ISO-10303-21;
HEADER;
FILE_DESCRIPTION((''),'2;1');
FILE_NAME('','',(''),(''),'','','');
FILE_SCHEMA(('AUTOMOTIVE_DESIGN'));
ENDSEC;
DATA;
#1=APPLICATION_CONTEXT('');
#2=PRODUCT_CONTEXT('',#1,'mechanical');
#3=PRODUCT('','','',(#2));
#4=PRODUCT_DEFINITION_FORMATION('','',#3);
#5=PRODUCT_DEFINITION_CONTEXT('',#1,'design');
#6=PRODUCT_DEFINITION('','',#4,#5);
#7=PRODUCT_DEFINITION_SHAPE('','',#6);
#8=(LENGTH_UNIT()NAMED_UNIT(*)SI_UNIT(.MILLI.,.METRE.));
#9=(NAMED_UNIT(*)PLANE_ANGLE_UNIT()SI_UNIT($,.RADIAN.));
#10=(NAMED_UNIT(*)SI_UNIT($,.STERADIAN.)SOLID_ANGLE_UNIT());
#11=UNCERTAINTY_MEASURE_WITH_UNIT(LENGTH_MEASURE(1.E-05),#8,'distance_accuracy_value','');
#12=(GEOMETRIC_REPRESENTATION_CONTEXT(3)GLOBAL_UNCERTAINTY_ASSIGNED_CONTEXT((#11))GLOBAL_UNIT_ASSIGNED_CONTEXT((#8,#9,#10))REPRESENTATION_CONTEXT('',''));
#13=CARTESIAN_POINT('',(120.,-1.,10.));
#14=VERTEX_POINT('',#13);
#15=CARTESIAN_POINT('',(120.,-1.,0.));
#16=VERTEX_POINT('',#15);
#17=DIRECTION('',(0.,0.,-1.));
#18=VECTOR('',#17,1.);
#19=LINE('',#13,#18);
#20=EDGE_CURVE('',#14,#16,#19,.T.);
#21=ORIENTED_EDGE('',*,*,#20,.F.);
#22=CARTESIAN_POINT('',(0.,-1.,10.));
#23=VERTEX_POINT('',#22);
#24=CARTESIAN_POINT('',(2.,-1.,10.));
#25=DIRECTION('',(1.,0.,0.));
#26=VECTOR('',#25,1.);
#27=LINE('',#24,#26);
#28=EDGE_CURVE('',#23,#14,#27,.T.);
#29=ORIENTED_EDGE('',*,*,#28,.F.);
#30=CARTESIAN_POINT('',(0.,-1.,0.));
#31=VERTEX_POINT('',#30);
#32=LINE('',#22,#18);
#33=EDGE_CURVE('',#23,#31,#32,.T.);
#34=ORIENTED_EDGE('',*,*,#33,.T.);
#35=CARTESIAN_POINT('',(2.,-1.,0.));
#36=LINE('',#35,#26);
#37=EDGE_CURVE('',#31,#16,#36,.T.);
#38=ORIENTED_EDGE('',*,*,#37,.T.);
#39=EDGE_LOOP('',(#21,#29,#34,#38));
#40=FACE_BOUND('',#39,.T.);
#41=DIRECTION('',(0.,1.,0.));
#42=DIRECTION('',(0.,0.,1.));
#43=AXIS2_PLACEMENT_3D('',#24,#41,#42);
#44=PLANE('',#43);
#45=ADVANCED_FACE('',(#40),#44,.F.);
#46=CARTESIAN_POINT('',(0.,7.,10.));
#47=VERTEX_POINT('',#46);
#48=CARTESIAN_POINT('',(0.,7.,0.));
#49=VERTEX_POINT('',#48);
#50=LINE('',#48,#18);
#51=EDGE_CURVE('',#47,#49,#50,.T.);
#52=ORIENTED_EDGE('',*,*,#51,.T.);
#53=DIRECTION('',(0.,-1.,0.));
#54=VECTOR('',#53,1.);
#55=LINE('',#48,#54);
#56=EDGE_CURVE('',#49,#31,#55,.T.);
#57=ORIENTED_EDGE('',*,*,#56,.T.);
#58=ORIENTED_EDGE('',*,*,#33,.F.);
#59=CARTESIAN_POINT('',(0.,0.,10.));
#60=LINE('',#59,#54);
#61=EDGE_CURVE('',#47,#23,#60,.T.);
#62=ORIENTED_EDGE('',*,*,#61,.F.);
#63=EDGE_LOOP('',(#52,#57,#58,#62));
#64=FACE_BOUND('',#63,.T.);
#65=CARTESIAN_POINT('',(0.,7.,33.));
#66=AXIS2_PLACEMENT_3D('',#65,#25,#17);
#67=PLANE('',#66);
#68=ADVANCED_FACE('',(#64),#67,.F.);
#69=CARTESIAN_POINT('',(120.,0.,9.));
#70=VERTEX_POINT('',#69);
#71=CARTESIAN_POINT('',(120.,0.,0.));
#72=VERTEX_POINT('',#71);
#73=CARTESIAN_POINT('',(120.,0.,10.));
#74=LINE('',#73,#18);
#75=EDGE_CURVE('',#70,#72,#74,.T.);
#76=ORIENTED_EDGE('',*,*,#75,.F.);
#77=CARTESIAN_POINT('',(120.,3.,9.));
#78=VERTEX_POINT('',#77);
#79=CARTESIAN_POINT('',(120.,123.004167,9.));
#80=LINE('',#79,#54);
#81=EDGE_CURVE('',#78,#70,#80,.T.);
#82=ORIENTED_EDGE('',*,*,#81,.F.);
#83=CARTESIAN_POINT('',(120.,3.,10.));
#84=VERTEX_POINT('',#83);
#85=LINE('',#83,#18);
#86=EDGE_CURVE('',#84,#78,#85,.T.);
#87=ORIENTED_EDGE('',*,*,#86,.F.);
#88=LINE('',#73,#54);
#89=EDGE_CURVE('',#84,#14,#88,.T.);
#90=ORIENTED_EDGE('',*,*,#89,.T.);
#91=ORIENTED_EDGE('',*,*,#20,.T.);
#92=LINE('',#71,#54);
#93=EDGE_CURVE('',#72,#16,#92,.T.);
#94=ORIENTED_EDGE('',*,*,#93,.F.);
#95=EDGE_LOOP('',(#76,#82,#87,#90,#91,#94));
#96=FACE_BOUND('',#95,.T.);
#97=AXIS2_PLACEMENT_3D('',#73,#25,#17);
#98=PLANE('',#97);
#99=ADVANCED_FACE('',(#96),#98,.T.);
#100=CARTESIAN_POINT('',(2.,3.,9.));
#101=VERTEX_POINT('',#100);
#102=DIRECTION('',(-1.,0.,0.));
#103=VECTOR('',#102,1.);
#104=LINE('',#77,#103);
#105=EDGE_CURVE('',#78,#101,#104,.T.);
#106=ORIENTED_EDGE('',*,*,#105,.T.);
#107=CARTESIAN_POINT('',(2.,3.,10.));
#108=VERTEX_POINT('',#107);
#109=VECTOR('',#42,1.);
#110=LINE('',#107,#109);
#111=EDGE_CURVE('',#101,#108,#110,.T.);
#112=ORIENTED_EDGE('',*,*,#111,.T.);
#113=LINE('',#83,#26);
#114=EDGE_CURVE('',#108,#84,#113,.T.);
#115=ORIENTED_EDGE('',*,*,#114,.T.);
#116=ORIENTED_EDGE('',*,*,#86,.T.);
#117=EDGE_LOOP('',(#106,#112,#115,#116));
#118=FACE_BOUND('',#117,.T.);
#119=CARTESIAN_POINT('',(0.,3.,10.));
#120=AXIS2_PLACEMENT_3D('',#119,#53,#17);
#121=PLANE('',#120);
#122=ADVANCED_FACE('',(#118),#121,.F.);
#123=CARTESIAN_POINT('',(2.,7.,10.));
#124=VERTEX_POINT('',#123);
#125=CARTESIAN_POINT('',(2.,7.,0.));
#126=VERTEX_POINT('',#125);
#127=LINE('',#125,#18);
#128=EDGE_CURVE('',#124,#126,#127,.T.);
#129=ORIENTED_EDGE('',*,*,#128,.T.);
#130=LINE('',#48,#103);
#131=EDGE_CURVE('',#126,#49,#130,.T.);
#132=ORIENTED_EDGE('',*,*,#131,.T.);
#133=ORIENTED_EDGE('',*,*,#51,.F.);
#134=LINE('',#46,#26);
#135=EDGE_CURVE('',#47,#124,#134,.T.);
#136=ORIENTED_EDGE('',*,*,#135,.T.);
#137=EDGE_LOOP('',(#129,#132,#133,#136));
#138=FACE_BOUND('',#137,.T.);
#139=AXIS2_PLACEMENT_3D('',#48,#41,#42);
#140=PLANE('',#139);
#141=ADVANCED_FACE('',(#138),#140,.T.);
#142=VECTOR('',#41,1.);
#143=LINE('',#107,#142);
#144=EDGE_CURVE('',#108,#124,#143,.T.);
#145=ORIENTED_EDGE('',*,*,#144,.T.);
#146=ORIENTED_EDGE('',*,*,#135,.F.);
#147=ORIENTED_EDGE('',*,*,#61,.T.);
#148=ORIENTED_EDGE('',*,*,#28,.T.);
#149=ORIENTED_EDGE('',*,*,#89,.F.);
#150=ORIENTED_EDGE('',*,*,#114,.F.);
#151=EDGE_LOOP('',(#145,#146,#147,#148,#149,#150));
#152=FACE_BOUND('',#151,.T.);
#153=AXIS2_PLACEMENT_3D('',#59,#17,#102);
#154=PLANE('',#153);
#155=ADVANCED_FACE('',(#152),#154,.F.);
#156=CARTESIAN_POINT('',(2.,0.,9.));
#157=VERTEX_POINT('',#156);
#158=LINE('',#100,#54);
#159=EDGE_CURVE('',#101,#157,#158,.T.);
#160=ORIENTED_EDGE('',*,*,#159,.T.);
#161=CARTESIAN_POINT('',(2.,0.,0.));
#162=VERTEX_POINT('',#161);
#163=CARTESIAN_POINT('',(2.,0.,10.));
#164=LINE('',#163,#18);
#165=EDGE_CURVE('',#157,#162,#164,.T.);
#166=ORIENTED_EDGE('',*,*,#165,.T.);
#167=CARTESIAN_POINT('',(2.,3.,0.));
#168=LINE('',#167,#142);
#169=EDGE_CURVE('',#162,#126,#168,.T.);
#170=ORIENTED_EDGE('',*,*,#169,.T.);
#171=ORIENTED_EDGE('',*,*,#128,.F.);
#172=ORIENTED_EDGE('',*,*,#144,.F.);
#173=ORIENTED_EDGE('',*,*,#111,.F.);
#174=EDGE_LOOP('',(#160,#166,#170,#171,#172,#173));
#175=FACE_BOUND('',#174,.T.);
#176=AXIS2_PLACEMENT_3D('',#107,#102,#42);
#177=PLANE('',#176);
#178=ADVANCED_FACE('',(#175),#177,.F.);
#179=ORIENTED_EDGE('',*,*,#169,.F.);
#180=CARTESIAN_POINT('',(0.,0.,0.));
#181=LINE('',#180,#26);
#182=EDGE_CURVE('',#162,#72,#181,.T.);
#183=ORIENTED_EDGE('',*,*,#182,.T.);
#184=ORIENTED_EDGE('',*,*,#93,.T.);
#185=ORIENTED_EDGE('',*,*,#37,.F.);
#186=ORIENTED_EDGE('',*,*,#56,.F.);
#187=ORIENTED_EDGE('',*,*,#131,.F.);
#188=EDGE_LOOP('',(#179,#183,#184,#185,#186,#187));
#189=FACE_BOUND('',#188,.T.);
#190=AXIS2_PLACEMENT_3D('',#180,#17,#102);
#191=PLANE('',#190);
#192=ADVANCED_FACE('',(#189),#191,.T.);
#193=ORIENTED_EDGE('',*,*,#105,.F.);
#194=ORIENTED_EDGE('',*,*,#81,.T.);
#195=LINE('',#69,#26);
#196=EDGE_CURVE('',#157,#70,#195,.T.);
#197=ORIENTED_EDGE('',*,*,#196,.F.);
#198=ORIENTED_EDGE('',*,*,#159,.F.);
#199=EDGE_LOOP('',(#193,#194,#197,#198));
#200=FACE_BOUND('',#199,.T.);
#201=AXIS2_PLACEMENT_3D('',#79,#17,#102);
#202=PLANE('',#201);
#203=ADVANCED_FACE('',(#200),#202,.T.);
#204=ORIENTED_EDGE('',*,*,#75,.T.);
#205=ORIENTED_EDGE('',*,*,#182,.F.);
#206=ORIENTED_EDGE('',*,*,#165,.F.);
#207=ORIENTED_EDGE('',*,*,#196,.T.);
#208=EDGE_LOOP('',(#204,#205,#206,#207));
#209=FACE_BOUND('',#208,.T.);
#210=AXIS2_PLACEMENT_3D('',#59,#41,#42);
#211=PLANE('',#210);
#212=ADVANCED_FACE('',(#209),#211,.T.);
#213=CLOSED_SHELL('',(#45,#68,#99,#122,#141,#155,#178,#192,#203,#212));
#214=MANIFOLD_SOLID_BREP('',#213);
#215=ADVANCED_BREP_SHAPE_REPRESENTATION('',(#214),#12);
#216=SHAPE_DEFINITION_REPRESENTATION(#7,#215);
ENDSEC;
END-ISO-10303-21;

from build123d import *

# Parameters (mm, degrees)
Y_KSEKLIK_EKSTR_ZYON1_DEPTH = 10
IZIM2_W                     = 120
IZIM2_H                     = 1
Y_KSEKLIK_EKSTR_ZYON2_DEPTH = 3
IZIM4_W                     = 2
IZIM4_H                     = 10
Y_KSEKLIK_EKSTR_ZYON3_DEPTH = 4
KES_EKSTR_ZYON1_DEPTH       = 33


with BuildPart() as part:
    # Çizim1 → Yükseklik-Ekstrüzyon1 (new body)
    with BuildSketch(Plane.XY):
        Polygon((0, 0), (-120, 0), (-120, -1), (2, -1), (2, 3), (0, 3), align=None)
    y_kseklik_ekstr_zyon1 = extrude(amount=Y_KSEKLIK_EKSTR_ZYON1_DEPTH)

    # Çizim2 → Yükseklik-Ekstrüzyon2 (add)
    with BuildSketch(Plane(origin=(0, 0, 0), x_dir=(1, 0, 0), z_dir=(0, 1, 0))):
        with Locations((-60, -9.5)):
            Rectangle(IZIM2_W, IZIM2_H)
    y_kseklik_ekstr_zyon2 = extrude(amount=Y_KSEKLIK_EKSTR_ZYON2_DEPTH)

    # Çizim4 → Yükseklik-Ekstrüzyon3 (add)
    with BuildSketch(Plane(origin=(0, 3, 0), x_dir=(1, 0, 0), z_dir=(0, 1, 0))):
        with Locations((1, -5)):
            Rectangle(IZIM4_W, IZIM4_H)
    y_kseklik_ekstr_zyon3 = extrude(amount=Y_KSEKLIK_EKSTR_ZYON3_DEPTH)

    # Aynalama1: Yükseklik-Ekstrüzyon1, Yükseklik-Ekstrüzyon2, Yükseklik-Ekstrüzyon3 across plane
    add(y_kseklik_ekstr_zyon1.mirror(Plane(origin=(0, 0, 10), x_dir=(0, 0, 1), z_dir=(1, 0, 0))))
    add(y_kseklik_ekstr_zyon2.mirror(Plane(origin=(0, 0, 10), x_dir=(0, 0, 1), z_dir=(1, 0, 0))))
    add(y_kseklik_ekstr_zyon3.mirror(Plane(origin=(0, 0, 10), x_dir=(0, 0, 1), z_dir=(1, 0, 0))))

    # Çizim5 → Kes-Ekstrüzyon1 (cut)
    with BuildSketch(Plane(origin=(0, 0, 0), x_dir=(-1, 0, 0), z_dir=(0, 0, -1))):
        Polygon((0, 7), (0, -4.162998524), (124.646798912, -4.162998524), (124.646798912, 13.350515485), (0, 13.350515485), align=None)
    extrude(amount=-KES_EKSTR_ZYON1_DEPTH, mode=Mode.SUBTRACT)


solid = part.part
